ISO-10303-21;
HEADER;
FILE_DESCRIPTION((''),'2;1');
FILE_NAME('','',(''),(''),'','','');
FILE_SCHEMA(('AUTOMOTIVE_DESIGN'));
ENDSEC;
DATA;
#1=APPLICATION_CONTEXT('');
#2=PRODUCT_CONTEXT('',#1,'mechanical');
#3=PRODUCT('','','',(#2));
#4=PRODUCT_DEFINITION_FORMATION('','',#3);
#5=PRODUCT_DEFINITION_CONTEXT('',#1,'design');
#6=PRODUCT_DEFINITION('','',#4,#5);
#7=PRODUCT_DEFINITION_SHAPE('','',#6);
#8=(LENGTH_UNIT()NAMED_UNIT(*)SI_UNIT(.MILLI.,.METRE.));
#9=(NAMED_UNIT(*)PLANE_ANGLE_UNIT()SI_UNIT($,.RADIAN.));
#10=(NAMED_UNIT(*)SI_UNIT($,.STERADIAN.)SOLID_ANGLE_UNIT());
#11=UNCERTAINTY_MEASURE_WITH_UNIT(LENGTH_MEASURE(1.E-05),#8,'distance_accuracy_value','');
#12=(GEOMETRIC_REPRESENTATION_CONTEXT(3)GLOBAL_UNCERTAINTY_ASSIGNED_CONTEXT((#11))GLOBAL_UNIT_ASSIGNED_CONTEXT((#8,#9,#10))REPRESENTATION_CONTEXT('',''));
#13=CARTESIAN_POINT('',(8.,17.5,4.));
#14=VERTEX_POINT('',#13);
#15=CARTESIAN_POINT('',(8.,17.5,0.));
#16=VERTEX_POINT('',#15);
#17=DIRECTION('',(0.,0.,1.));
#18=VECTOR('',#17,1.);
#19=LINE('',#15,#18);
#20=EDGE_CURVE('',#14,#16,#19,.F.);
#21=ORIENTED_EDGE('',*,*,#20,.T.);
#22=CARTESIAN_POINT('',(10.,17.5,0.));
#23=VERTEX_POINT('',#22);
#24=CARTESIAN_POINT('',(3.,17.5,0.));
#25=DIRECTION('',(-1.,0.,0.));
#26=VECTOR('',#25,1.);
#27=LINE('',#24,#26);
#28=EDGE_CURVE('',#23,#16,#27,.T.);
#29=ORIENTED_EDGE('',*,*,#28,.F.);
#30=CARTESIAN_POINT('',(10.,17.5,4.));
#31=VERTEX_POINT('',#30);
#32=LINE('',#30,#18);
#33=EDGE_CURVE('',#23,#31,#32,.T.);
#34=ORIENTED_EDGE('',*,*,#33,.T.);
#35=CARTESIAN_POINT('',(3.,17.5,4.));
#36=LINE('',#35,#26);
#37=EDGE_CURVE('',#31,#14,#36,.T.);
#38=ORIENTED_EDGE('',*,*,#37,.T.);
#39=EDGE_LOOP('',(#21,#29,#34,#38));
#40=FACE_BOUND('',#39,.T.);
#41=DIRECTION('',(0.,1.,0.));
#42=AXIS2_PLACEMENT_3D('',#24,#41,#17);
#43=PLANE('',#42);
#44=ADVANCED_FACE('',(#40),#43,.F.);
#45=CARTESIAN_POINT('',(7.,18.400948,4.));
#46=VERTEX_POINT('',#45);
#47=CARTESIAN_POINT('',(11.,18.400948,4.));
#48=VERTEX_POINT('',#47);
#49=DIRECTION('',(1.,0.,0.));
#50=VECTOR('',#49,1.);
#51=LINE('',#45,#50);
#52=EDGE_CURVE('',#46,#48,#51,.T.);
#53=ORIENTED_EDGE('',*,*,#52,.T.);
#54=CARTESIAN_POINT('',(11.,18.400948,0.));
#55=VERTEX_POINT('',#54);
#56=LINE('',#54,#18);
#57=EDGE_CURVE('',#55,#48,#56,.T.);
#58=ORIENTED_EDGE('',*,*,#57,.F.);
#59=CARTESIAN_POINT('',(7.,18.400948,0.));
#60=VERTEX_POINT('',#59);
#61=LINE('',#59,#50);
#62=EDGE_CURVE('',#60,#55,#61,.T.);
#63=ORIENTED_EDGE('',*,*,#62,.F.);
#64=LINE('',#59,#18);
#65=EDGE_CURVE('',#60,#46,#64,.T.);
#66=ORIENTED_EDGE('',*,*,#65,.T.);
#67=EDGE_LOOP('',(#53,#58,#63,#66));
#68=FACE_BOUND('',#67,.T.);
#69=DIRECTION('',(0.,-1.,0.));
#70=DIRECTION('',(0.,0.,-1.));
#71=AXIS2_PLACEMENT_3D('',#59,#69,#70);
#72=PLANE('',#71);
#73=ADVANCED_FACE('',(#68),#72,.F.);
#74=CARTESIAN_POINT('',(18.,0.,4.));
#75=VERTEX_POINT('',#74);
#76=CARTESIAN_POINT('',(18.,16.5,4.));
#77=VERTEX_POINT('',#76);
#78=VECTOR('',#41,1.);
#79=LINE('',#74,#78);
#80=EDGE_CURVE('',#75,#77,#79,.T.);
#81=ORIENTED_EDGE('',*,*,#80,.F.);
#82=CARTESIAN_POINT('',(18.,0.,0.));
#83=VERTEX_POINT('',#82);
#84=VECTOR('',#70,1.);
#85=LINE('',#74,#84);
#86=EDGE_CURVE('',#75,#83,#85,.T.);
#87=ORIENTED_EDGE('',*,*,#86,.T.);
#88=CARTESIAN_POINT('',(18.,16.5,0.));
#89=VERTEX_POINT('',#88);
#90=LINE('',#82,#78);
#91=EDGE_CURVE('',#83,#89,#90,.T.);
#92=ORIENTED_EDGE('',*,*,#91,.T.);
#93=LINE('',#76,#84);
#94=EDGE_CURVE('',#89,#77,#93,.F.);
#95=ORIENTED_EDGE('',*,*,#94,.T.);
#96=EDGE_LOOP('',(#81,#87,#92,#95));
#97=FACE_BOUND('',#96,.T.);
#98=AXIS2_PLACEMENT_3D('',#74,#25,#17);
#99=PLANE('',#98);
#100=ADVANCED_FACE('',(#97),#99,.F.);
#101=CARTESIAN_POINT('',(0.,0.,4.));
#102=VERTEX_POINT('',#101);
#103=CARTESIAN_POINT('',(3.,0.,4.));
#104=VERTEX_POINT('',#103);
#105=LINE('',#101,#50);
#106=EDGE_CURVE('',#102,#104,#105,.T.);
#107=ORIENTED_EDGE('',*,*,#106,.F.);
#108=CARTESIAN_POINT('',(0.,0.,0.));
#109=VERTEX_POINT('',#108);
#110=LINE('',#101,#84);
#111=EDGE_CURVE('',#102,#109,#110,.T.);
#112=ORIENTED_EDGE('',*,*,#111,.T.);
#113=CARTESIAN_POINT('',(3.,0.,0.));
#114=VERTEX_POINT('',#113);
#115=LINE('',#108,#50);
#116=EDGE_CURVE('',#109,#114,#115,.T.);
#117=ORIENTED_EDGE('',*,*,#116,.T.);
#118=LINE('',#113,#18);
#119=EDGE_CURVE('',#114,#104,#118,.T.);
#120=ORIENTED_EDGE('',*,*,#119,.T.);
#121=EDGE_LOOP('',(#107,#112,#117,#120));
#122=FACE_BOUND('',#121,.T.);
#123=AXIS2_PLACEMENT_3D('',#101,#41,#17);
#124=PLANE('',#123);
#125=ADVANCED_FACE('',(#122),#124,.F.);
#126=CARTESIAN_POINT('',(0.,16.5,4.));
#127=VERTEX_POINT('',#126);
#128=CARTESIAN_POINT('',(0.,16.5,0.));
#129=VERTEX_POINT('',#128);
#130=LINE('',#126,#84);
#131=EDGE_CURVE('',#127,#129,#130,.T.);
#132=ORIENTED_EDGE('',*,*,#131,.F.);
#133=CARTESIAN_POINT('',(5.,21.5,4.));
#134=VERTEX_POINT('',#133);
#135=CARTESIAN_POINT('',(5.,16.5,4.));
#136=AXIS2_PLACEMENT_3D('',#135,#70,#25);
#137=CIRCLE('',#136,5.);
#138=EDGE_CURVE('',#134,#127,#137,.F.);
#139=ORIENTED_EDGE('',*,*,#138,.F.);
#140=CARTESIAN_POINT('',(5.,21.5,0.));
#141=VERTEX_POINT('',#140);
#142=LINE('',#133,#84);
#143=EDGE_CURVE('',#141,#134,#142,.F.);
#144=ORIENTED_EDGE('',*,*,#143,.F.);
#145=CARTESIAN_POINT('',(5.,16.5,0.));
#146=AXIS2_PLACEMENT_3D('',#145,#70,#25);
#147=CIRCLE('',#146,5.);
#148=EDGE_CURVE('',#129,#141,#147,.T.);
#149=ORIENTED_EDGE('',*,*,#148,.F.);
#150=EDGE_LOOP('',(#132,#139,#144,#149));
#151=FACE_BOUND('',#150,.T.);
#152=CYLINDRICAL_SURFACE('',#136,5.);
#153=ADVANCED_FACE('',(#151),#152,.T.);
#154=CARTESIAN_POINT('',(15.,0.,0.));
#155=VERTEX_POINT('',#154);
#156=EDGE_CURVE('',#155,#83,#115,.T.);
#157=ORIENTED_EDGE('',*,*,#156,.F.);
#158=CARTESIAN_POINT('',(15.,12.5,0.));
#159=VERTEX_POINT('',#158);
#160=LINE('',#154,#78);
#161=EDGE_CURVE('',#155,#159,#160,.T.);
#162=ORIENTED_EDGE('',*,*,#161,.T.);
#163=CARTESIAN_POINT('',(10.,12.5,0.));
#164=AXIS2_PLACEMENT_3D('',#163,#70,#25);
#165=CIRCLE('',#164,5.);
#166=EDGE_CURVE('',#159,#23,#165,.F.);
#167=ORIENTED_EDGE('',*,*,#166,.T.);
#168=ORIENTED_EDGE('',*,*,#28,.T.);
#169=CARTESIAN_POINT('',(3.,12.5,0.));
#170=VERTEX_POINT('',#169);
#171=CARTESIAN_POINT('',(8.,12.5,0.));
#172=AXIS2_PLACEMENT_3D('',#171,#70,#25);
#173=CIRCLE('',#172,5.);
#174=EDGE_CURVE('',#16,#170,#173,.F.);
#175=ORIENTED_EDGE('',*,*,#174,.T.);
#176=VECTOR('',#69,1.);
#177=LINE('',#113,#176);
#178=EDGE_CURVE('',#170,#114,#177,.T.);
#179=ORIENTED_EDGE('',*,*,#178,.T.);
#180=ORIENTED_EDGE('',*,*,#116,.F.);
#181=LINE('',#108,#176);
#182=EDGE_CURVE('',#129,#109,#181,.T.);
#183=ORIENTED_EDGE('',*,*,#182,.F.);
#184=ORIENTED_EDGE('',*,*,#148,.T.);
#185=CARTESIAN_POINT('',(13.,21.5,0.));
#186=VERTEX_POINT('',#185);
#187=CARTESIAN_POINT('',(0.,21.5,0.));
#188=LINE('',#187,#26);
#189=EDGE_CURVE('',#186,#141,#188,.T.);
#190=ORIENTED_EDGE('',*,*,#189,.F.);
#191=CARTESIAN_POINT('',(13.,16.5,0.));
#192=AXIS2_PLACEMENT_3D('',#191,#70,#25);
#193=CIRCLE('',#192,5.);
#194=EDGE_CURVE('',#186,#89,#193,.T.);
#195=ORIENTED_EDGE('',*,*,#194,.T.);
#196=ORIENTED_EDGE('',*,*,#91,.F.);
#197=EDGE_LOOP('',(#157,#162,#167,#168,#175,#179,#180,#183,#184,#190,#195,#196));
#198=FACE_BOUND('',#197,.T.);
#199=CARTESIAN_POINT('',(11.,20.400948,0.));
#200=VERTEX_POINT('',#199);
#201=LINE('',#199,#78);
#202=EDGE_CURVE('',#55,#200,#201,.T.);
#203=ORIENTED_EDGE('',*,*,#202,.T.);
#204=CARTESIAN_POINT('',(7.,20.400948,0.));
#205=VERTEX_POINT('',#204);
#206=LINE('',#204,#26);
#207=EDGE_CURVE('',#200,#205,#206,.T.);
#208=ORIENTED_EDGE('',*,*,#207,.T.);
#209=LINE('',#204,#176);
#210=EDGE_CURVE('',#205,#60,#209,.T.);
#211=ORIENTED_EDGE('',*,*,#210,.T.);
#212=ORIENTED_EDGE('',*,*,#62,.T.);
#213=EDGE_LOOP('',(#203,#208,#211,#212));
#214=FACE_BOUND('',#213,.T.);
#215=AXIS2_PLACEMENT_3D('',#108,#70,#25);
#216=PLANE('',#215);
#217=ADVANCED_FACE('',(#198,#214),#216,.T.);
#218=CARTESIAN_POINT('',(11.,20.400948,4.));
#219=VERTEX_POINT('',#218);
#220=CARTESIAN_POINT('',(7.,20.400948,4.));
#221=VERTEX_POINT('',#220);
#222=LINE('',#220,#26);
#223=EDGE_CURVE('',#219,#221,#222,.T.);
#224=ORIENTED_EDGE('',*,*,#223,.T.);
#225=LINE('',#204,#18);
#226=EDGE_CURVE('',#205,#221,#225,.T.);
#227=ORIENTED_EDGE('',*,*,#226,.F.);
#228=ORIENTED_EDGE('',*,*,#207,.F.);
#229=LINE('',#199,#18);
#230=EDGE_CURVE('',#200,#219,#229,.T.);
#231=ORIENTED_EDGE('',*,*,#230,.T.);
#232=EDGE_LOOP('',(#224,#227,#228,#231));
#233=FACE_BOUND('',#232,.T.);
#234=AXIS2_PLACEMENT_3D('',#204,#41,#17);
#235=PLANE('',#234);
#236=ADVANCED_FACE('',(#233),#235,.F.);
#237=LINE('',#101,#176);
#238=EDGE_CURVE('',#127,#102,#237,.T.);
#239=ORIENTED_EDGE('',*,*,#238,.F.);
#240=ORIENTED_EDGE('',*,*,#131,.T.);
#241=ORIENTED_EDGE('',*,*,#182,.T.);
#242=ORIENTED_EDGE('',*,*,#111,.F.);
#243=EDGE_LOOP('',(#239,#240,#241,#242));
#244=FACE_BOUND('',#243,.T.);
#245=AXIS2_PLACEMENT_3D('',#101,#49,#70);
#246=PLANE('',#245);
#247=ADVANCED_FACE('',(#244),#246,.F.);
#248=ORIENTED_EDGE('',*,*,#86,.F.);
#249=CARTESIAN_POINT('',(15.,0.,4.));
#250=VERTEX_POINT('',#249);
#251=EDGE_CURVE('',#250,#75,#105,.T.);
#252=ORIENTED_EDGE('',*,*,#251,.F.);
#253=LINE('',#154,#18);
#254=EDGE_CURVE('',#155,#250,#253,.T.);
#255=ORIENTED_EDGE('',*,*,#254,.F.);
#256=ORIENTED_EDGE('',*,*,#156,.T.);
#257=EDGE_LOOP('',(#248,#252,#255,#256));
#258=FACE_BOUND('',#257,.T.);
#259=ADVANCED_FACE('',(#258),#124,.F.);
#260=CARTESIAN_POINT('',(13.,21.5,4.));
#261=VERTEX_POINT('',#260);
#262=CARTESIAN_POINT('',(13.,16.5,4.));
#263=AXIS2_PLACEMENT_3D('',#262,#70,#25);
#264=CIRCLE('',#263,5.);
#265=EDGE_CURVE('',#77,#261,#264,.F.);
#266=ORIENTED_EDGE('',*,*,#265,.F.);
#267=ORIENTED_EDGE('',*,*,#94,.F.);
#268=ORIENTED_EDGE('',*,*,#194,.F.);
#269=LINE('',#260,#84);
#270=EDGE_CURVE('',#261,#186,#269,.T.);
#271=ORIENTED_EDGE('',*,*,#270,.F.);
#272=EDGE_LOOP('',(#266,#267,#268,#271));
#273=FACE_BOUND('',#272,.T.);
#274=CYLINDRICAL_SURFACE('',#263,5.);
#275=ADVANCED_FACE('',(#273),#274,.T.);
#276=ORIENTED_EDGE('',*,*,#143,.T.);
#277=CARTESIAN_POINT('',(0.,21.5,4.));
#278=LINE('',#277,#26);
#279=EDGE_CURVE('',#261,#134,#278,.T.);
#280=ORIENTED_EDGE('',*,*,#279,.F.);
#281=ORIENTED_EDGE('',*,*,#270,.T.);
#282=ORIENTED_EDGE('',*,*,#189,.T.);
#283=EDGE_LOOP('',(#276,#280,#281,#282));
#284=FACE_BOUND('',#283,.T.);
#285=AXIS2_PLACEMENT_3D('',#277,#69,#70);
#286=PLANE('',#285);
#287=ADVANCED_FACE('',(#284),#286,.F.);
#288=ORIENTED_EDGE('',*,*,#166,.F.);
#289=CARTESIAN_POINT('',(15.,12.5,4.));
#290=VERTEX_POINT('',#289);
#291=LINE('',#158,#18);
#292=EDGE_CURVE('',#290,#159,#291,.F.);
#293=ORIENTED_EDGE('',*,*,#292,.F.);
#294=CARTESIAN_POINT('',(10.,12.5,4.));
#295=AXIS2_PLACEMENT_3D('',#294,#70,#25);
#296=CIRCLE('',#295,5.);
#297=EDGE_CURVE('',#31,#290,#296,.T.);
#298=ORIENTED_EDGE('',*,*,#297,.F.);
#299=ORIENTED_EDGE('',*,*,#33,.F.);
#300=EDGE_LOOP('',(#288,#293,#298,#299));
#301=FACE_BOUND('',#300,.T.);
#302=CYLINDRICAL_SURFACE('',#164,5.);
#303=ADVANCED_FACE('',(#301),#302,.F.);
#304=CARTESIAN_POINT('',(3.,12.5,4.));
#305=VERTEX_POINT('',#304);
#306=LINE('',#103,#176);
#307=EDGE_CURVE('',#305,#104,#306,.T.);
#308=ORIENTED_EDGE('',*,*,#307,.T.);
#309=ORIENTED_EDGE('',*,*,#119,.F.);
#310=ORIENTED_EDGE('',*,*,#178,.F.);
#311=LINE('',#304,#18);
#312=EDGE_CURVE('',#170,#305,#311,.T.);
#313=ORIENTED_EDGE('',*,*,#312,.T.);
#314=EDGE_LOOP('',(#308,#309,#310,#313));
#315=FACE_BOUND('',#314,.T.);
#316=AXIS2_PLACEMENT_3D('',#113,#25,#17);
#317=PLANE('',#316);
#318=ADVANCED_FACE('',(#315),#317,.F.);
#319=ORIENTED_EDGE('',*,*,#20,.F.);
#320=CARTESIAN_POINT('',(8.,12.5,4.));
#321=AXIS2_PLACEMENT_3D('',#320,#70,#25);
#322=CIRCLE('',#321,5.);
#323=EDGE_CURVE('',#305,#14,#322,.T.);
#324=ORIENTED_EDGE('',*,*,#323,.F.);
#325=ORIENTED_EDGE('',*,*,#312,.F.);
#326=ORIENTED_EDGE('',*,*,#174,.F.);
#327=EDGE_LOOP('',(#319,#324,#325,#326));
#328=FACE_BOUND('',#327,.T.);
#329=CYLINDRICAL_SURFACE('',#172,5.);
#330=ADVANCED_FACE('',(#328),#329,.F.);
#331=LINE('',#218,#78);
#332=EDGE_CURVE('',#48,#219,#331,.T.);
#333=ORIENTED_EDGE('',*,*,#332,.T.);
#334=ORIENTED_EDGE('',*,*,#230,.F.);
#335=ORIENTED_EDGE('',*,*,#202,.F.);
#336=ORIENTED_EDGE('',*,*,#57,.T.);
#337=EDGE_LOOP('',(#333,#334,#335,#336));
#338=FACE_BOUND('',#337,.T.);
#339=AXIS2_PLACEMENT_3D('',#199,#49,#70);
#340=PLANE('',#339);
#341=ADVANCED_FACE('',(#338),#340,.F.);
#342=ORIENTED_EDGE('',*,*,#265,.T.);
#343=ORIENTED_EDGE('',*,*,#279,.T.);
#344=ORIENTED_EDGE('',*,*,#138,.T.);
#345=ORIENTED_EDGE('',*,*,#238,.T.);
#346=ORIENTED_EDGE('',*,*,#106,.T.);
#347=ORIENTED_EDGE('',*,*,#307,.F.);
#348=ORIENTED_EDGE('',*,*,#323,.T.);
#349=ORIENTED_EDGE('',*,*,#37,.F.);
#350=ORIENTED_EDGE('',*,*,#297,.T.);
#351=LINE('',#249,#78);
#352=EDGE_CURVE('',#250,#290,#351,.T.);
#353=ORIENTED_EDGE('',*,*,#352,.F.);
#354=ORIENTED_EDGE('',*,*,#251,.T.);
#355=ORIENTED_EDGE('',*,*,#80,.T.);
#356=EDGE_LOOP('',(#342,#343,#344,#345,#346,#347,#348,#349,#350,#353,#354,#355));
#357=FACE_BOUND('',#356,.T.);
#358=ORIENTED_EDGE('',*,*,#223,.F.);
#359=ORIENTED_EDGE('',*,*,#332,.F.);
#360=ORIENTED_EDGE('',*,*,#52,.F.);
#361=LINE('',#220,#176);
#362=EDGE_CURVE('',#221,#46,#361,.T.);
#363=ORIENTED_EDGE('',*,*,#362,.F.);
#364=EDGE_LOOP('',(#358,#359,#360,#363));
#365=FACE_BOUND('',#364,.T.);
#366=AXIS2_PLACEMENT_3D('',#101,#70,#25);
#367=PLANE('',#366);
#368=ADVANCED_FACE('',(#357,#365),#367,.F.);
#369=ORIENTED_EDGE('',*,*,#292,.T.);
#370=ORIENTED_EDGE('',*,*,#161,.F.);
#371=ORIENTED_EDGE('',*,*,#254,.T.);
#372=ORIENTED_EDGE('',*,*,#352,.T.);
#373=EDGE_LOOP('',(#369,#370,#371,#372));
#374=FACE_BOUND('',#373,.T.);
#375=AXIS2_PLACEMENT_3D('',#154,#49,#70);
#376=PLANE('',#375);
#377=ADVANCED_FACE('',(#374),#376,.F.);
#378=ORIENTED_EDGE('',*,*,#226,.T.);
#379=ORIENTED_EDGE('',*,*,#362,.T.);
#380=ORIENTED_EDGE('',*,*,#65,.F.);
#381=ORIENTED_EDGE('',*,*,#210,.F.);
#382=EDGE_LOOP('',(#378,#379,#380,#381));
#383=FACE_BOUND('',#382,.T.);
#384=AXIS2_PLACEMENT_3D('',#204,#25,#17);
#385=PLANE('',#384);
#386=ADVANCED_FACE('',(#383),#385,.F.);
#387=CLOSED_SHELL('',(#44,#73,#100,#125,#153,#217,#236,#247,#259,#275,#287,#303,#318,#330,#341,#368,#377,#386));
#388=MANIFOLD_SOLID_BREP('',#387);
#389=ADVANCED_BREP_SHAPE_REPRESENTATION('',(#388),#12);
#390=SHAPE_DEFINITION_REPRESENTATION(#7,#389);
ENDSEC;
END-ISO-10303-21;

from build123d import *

# Parameters (mm, degrees)
SKETCH_2_W          = 18
SKETCH_2_H          = 21.5
EXTRUDE_1_DEPTH     = 4
SKETCH_3_W          = 12
SKETCH_3_H          = 17.5
CUT_EXTRUDE_1_DEPTH = 29.324018077
FILLET_1_R          = 5
FILLET_2_R          = 5
SKETCH_4_W          = 4
SKETCH_4_H          = 2
CUT_EXTRUDE_2_DEPTH = 29.324018077


with BuildPart() as part:
    # ｽｹｯﾁ2 → ﾎﾞｽ - 押し出し1 (new body)
    with BuildSketch(Plane.XY):
        with Locations((9, 10.75)):
            Rectangle(SKETCH_2_W, SKETCH_2_H)
    extrude(amount=EXTRUDE_1_DEPTH)

    # ｽｹｯﾁ3 → ｶｯﾄ - 押し出し1 (cut, through all)
    with BuildSketch(Plane.XY.offset(4)):
        with Locations((9, 8.75)):
            Rectangle(SKETCH_3_W, SKETCH_3_H)
    extrude(amount=-CUT_EXTRUDE_1_DEPTH, mode=Mode.SUBTRACT)

    # ﾌｨﾚｯﾄ1
    fillet_1_edges = [part.edges().sort_by_distance(p)[0] for p in [
        (3, 17.5, 2),
        (15, 17.5, 2),
    ]]
    fillet(fillet_1_edges, radius=FILLET_1_R)

    # ﾌｨﾚｯﾄ2
    fillet_2_edges = [part.edges().sort_by_distance(p)[0] for p in [
        (0, 21.5, 2),
        (18, 21.5, 2),
    ]]
    fillet(fillet_2_edges, radius=FILLET_2_R)

    # ｽｹｯﾁ4 → ｶｯﾄ - 押し出し2 (cut, through all)
    with BuildSketch(Plane.XY.offset(4)):
        with Locations((9, 19.400947982)):
            Rectangle(SKETCH_4_W, SKETCH_4_H)
    extrude(amount=-CUT_EXTRUDE_2_DEPTH, mode=Mode.SUBTRACT)


solid = part.part
